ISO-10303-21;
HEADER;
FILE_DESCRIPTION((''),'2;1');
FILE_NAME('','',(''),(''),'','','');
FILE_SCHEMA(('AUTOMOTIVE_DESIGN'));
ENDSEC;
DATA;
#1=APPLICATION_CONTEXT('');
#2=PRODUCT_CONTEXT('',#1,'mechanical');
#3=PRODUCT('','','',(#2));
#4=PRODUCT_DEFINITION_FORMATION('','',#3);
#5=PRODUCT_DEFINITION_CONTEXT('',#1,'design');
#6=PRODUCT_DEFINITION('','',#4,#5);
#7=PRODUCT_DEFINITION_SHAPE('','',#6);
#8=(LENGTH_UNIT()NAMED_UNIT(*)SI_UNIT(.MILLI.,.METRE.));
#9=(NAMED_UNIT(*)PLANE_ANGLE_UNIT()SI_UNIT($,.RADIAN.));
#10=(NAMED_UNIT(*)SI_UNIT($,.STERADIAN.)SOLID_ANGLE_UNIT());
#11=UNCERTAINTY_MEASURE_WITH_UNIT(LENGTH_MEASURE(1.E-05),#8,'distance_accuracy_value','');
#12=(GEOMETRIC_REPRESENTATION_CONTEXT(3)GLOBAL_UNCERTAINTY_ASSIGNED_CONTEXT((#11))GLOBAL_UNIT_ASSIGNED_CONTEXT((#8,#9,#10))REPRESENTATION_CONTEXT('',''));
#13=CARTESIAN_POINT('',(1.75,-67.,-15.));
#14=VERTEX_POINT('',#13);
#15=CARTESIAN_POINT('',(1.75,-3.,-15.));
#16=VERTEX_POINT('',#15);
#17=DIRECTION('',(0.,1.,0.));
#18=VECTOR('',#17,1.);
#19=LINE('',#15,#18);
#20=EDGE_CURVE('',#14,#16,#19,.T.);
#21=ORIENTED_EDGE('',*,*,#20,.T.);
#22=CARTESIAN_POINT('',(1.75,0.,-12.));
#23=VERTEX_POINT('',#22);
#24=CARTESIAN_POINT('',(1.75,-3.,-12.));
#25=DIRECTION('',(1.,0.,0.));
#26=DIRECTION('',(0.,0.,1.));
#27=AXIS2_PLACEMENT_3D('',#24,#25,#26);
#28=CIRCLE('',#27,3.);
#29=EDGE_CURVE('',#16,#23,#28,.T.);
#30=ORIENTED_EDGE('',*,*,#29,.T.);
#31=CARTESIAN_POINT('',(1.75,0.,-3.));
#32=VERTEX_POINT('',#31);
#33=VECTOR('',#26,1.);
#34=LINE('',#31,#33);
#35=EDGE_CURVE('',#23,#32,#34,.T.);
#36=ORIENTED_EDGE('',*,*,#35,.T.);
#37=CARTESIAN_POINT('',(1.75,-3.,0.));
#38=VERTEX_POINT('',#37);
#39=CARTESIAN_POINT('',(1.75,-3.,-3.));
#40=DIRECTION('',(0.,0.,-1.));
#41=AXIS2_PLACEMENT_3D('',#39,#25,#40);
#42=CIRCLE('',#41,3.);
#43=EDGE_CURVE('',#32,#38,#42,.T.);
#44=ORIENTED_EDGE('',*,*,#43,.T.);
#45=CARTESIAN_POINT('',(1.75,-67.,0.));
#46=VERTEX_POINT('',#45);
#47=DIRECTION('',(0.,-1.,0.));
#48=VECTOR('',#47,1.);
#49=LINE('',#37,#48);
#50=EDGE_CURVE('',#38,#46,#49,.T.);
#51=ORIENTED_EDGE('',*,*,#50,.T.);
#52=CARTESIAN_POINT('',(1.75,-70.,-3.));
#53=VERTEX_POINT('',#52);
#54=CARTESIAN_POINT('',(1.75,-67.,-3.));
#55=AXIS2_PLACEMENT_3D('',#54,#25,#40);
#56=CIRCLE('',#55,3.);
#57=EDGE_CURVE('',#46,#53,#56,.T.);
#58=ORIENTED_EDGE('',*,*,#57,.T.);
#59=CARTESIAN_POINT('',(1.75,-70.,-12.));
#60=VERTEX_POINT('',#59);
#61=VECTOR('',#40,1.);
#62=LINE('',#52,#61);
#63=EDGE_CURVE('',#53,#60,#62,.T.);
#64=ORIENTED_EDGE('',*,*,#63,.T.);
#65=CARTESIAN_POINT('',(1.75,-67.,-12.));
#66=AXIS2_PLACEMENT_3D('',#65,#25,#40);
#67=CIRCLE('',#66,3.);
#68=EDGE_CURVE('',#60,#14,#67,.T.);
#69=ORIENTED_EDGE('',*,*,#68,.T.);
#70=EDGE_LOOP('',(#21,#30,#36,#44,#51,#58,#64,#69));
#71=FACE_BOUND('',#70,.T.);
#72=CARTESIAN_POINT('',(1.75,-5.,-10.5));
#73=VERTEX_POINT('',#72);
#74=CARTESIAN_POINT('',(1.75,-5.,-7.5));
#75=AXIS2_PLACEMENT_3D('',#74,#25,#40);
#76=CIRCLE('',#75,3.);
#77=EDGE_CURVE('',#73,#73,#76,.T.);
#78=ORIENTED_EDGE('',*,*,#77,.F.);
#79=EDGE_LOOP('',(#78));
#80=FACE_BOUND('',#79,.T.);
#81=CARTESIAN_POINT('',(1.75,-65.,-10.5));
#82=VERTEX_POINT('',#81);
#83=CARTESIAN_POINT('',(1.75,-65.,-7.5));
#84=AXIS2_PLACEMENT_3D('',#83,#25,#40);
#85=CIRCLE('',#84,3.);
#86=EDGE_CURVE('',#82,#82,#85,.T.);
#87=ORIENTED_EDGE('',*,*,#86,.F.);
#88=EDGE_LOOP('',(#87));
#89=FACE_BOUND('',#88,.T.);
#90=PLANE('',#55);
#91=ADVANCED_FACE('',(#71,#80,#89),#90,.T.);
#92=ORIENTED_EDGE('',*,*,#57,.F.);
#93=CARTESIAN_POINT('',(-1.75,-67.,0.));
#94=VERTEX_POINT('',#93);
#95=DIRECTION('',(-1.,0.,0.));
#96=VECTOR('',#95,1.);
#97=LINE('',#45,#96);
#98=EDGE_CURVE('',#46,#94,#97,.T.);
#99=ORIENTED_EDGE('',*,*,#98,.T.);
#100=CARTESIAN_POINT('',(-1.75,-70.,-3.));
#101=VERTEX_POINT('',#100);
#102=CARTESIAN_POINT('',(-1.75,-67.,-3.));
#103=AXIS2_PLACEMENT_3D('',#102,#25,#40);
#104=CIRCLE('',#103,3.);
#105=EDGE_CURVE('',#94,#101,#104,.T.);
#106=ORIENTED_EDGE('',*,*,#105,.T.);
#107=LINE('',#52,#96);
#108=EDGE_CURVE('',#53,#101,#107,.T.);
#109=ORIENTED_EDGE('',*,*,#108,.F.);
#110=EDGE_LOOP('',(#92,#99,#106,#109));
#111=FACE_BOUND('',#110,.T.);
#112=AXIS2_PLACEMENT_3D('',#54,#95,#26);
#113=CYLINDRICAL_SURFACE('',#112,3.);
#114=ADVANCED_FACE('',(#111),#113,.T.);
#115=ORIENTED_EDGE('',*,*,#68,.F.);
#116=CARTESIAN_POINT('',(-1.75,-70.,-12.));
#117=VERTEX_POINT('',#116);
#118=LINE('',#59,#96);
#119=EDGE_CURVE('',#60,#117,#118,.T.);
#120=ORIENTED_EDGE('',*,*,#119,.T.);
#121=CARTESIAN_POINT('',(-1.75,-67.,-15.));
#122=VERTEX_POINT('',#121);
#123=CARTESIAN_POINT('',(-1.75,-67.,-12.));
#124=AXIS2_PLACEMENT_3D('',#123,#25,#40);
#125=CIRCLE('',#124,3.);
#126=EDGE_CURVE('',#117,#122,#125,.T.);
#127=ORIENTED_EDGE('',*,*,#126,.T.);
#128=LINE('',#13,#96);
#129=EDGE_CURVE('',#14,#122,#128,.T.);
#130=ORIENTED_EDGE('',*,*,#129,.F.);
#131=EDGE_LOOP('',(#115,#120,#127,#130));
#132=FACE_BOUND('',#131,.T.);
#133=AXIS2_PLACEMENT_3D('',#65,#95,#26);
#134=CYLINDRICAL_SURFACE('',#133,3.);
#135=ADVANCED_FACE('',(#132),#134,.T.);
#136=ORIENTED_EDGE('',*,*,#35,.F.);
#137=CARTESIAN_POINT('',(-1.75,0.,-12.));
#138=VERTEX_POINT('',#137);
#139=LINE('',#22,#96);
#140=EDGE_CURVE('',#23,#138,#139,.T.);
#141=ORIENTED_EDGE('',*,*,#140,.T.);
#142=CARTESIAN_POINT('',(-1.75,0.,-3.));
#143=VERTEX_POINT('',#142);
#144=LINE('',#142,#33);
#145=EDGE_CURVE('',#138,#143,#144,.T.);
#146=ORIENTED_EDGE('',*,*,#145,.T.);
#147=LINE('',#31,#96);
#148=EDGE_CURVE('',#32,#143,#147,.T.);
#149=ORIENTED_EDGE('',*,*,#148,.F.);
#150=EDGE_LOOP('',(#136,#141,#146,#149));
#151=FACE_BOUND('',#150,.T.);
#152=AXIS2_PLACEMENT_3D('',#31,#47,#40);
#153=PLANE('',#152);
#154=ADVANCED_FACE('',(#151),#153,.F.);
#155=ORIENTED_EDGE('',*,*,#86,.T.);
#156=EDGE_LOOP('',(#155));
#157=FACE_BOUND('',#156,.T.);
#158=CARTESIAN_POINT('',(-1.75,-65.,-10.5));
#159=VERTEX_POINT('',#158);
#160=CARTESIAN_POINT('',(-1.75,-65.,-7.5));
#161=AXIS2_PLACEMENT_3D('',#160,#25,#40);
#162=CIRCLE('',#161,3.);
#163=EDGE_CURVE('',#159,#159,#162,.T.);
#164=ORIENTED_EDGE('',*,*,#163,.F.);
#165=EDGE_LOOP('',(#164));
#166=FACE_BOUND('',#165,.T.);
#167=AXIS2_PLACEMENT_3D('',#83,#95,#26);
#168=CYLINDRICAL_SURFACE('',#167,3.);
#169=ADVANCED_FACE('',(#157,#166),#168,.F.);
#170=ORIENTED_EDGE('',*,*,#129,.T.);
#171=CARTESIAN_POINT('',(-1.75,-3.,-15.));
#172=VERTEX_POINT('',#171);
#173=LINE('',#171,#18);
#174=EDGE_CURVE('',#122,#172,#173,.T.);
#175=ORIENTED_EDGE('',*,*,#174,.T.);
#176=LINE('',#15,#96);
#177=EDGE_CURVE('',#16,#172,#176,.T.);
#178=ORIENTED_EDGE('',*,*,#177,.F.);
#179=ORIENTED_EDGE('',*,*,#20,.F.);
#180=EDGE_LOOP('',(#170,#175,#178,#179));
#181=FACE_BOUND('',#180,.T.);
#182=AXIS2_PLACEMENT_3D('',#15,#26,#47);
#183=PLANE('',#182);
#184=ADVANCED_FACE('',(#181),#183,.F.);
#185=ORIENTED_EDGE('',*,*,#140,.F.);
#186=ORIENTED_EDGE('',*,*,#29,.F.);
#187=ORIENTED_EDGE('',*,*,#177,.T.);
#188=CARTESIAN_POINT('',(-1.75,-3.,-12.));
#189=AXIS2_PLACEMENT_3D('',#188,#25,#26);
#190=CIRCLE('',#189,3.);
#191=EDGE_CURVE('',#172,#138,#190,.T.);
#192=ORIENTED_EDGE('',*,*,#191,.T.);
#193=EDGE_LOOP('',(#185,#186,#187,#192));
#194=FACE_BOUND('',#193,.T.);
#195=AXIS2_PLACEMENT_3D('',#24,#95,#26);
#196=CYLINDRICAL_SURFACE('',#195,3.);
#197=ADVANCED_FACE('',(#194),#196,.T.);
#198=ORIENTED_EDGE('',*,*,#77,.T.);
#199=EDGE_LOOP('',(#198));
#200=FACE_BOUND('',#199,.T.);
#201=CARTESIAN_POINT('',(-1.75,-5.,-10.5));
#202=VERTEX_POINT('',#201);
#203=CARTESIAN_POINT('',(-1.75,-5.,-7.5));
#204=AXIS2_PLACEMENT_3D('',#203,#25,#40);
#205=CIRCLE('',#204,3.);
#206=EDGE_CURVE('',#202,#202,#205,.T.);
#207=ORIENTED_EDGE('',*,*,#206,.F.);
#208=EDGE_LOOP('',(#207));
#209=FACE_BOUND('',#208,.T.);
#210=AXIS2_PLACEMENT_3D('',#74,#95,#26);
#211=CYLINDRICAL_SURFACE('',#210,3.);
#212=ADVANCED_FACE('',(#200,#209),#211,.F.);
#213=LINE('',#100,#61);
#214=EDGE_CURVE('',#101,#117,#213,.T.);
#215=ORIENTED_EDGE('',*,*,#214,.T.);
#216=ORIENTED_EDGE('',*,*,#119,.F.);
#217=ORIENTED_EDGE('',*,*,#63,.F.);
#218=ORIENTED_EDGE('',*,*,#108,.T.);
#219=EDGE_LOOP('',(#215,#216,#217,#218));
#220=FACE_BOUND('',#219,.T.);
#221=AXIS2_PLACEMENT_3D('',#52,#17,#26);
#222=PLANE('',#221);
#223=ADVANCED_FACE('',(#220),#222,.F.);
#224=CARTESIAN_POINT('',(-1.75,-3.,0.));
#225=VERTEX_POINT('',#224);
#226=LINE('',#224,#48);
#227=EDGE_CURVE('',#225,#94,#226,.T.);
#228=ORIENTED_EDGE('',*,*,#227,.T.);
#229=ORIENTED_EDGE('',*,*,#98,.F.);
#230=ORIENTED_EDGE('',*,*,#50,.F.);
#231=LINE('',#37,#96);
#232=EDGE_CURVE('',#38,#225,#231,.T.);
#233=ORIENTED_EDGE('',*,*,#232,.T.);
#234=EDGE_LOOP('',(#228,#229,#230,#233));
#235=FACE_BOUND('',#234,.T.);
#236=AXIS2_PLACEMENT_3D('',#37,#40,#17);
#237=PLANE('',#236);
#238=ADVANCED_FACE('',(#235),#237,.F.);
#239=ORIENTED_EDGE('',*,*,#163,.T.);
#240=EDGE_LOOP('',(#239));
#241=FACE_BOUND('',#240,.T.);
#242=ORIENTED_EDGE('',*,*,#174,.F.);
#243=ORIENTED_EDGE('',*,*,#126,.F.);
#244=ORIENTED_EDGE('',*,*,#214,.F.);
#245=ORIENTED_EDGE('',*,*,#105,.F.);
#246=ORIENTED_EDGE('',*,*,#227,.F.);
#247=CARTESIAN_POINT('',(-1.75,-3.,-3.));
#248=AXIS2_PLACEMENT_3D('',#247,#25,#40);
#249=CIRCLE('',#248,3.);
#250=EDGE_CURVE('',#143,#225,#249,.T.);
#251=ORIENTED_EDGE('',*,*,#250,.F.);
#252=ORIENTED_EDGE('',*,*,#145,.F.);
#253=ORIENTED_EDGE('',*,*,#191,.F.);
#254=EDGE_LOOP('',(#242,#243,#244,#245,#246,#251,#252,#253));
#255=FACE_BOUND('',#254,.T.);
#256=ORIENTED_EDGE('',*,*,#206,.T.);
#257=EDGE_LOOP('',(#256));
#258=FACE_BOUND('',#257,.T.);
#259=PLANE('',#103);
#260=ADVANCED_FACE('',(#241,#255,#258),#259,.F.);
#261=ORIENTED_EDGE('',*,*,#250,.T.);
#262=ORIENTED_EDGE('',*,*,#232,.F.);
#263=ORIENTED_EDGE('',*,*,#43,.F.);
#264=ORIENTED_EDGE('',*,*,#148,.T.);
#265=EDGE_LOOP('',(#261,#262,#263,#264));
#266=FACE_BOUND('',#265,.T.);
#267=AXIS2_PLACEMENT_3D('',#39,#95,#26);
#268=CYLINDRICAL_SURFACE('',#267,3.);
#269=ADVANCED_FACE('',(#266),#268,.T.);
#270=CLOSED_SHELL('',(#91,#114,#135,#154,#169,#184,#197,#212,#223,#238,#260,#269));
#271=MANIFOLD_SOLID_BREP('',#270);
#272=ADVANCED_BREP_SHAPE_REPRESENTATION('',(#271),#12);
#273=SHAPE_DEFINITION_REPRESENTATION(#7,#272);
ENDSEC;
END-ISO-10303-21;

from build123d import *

# Parameters (mm, degrees)
SKETCH3_R           = 3
BOSS_EXTRUDE2_DEPTH = 1.75


with BuildPart() as part:
    # Sketch3 → Boss-Extrude2 (new, symmetric)
    with BuildSketch(Plane(origin=(0, 0, 0), x_dir=(0, 0, -1), z_dir=(1, 0, 0))):
        with BuildLine():
            Line((3, 0), (12, 0))
            ThreePointArc((12, 0), (14.121320344, -0.878679656), (15, -3))
            Line((15, -3), (15, -67))
            ThreePointArc((15, -67), (14.121320344, -69.121320344), (12, -70))
            Line((12, -70), (3, -70))
            ThreePointArc((3, -70), (0.878679656, -69.121320344), (0, -67))
            Line((0, -67), (0, -3))
            ThreePointArc((0, -3), (0.878679656, -0.878679656), (3, 0))
        make_face()
        with Locations((7.5, -5)):
            Circle(SKETCH3_R, mode=Mode.SUBTRACT)
        with Locations((7.5, -65)):
            Circle(SKETCH3_R, mode=Mode.SUBTRACT)
    extrude(amount=BOSS_EXTRUDE2_DEPTH, both=True)


solid = part.part
